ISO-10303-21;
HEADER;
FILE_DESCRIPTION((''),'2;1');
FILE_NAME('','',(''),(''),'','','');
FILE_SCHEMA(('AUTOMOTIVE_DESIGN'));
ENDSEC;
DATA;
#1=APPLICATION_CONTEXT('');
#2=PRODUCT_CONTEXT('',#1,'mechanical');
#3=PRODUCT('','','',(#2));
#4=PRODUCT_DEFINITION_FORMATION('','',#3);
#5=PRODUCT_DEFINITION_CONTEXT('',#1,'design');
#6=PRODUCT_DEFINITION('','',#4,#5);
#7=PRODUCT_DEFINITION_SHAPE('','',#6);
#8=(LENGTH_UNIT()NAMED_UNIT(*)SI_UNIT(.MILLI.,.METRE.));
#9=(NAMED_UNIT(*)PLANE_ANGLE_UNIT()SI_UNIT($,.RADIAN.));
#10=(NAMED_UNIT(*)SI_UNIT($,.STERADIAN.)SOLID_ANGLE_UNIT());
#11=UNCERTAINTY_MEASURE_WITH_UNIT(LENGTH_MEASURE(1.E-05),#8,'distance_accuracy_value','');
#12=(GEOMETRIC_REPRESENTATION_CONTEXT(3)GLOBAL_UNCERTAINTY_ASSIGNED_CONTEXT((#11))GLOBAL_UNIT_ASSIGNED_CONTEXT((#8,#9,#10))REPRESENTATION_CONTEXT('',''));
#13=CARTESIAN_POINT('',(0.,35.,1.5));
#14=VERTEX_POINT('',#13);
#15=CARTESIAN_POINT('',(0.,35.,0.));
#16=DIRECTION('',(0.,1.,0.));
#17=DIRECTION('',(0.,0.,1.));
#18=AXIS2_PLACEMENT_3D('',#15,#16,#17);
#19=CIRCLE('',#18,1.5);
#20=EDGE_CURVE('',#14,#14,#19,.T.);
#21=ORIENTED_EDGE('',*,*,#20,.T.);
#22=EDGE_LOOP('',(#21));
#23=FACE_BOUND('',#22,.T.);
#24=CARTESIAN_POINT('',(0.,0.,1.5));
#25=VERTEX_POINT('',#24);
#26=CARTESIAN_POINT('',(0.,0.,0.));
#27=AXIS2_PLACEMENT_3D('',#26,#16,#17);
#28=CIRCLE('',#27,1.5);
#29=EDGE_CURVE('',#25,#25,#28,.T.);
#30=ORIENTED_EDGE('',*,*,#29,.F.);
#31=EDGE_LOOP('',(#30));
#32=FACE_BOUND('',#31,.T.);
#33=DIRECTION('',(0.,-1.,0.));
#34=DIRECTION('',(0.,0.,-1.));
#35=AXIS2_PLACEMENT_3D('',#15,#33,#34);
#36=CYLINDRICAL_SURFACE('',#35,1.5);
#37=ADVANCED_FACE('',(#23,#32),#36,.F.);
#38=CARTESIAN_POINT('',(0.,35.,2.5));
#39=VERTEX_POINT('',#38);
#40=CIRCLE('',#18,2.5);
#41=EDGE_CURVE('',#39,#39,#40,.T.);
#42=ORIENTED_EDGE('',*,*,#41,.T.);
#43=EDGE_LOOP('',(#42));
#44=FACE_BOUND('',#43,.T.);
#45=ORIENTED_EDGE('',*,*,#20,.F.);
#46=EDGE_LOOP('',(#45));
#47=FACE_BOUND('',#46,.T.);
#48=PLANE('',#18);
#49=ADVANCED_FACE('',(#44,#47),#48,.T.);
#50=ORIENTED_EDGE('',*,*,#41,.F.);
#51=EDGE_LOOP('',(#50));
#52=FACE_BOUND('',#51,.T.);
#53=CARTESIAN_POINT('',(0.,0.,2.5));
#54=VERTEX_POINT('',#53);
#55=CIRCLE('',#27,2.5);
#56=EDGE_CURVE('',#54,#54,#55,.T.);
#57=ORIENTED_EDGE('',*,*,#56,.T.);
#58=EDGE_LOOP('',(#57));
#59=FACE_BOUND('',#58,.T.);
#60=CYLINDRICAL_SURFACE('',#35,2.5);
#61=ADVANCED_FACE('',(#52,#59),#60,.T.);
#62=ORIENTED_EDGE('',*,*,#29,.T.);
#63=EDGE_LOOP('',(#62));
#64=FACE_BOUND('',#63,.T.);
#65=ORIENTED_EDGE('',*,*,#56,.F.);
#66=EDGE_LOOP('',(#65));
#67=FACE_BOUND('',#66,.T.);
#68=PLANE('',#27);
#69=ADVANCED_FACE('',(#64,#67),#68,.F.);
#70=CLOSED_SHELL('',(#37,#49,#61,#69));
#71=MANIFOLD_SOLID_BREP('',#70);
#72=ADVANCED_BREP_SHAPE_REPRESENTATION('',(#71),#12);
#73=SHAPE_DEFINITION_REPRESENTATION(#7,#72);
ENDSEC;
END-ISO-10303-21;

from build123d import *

# Parameters (mm, degrees)
SKETCH_1_R      = 2.5
SKETCH_1_R_2    = 1.5
EXTRUDE_1_DEPTH = 35


with BuildPart() as part:
    # 草图1 → 凸台-拉伸1 (new body)
    with BuildSketch(Plane(origin=(0, 0, 0), x_dir=(1, 0, 0), z_dir=(0, 1, 0))):
        Circle(SKETCH_1_R)
        Circle(SKETCH_1_R_2, mode=Mode.SUBTRACT)
    extrude(amount=EXTRUDE_1_DEPTH)


solid = part.part
